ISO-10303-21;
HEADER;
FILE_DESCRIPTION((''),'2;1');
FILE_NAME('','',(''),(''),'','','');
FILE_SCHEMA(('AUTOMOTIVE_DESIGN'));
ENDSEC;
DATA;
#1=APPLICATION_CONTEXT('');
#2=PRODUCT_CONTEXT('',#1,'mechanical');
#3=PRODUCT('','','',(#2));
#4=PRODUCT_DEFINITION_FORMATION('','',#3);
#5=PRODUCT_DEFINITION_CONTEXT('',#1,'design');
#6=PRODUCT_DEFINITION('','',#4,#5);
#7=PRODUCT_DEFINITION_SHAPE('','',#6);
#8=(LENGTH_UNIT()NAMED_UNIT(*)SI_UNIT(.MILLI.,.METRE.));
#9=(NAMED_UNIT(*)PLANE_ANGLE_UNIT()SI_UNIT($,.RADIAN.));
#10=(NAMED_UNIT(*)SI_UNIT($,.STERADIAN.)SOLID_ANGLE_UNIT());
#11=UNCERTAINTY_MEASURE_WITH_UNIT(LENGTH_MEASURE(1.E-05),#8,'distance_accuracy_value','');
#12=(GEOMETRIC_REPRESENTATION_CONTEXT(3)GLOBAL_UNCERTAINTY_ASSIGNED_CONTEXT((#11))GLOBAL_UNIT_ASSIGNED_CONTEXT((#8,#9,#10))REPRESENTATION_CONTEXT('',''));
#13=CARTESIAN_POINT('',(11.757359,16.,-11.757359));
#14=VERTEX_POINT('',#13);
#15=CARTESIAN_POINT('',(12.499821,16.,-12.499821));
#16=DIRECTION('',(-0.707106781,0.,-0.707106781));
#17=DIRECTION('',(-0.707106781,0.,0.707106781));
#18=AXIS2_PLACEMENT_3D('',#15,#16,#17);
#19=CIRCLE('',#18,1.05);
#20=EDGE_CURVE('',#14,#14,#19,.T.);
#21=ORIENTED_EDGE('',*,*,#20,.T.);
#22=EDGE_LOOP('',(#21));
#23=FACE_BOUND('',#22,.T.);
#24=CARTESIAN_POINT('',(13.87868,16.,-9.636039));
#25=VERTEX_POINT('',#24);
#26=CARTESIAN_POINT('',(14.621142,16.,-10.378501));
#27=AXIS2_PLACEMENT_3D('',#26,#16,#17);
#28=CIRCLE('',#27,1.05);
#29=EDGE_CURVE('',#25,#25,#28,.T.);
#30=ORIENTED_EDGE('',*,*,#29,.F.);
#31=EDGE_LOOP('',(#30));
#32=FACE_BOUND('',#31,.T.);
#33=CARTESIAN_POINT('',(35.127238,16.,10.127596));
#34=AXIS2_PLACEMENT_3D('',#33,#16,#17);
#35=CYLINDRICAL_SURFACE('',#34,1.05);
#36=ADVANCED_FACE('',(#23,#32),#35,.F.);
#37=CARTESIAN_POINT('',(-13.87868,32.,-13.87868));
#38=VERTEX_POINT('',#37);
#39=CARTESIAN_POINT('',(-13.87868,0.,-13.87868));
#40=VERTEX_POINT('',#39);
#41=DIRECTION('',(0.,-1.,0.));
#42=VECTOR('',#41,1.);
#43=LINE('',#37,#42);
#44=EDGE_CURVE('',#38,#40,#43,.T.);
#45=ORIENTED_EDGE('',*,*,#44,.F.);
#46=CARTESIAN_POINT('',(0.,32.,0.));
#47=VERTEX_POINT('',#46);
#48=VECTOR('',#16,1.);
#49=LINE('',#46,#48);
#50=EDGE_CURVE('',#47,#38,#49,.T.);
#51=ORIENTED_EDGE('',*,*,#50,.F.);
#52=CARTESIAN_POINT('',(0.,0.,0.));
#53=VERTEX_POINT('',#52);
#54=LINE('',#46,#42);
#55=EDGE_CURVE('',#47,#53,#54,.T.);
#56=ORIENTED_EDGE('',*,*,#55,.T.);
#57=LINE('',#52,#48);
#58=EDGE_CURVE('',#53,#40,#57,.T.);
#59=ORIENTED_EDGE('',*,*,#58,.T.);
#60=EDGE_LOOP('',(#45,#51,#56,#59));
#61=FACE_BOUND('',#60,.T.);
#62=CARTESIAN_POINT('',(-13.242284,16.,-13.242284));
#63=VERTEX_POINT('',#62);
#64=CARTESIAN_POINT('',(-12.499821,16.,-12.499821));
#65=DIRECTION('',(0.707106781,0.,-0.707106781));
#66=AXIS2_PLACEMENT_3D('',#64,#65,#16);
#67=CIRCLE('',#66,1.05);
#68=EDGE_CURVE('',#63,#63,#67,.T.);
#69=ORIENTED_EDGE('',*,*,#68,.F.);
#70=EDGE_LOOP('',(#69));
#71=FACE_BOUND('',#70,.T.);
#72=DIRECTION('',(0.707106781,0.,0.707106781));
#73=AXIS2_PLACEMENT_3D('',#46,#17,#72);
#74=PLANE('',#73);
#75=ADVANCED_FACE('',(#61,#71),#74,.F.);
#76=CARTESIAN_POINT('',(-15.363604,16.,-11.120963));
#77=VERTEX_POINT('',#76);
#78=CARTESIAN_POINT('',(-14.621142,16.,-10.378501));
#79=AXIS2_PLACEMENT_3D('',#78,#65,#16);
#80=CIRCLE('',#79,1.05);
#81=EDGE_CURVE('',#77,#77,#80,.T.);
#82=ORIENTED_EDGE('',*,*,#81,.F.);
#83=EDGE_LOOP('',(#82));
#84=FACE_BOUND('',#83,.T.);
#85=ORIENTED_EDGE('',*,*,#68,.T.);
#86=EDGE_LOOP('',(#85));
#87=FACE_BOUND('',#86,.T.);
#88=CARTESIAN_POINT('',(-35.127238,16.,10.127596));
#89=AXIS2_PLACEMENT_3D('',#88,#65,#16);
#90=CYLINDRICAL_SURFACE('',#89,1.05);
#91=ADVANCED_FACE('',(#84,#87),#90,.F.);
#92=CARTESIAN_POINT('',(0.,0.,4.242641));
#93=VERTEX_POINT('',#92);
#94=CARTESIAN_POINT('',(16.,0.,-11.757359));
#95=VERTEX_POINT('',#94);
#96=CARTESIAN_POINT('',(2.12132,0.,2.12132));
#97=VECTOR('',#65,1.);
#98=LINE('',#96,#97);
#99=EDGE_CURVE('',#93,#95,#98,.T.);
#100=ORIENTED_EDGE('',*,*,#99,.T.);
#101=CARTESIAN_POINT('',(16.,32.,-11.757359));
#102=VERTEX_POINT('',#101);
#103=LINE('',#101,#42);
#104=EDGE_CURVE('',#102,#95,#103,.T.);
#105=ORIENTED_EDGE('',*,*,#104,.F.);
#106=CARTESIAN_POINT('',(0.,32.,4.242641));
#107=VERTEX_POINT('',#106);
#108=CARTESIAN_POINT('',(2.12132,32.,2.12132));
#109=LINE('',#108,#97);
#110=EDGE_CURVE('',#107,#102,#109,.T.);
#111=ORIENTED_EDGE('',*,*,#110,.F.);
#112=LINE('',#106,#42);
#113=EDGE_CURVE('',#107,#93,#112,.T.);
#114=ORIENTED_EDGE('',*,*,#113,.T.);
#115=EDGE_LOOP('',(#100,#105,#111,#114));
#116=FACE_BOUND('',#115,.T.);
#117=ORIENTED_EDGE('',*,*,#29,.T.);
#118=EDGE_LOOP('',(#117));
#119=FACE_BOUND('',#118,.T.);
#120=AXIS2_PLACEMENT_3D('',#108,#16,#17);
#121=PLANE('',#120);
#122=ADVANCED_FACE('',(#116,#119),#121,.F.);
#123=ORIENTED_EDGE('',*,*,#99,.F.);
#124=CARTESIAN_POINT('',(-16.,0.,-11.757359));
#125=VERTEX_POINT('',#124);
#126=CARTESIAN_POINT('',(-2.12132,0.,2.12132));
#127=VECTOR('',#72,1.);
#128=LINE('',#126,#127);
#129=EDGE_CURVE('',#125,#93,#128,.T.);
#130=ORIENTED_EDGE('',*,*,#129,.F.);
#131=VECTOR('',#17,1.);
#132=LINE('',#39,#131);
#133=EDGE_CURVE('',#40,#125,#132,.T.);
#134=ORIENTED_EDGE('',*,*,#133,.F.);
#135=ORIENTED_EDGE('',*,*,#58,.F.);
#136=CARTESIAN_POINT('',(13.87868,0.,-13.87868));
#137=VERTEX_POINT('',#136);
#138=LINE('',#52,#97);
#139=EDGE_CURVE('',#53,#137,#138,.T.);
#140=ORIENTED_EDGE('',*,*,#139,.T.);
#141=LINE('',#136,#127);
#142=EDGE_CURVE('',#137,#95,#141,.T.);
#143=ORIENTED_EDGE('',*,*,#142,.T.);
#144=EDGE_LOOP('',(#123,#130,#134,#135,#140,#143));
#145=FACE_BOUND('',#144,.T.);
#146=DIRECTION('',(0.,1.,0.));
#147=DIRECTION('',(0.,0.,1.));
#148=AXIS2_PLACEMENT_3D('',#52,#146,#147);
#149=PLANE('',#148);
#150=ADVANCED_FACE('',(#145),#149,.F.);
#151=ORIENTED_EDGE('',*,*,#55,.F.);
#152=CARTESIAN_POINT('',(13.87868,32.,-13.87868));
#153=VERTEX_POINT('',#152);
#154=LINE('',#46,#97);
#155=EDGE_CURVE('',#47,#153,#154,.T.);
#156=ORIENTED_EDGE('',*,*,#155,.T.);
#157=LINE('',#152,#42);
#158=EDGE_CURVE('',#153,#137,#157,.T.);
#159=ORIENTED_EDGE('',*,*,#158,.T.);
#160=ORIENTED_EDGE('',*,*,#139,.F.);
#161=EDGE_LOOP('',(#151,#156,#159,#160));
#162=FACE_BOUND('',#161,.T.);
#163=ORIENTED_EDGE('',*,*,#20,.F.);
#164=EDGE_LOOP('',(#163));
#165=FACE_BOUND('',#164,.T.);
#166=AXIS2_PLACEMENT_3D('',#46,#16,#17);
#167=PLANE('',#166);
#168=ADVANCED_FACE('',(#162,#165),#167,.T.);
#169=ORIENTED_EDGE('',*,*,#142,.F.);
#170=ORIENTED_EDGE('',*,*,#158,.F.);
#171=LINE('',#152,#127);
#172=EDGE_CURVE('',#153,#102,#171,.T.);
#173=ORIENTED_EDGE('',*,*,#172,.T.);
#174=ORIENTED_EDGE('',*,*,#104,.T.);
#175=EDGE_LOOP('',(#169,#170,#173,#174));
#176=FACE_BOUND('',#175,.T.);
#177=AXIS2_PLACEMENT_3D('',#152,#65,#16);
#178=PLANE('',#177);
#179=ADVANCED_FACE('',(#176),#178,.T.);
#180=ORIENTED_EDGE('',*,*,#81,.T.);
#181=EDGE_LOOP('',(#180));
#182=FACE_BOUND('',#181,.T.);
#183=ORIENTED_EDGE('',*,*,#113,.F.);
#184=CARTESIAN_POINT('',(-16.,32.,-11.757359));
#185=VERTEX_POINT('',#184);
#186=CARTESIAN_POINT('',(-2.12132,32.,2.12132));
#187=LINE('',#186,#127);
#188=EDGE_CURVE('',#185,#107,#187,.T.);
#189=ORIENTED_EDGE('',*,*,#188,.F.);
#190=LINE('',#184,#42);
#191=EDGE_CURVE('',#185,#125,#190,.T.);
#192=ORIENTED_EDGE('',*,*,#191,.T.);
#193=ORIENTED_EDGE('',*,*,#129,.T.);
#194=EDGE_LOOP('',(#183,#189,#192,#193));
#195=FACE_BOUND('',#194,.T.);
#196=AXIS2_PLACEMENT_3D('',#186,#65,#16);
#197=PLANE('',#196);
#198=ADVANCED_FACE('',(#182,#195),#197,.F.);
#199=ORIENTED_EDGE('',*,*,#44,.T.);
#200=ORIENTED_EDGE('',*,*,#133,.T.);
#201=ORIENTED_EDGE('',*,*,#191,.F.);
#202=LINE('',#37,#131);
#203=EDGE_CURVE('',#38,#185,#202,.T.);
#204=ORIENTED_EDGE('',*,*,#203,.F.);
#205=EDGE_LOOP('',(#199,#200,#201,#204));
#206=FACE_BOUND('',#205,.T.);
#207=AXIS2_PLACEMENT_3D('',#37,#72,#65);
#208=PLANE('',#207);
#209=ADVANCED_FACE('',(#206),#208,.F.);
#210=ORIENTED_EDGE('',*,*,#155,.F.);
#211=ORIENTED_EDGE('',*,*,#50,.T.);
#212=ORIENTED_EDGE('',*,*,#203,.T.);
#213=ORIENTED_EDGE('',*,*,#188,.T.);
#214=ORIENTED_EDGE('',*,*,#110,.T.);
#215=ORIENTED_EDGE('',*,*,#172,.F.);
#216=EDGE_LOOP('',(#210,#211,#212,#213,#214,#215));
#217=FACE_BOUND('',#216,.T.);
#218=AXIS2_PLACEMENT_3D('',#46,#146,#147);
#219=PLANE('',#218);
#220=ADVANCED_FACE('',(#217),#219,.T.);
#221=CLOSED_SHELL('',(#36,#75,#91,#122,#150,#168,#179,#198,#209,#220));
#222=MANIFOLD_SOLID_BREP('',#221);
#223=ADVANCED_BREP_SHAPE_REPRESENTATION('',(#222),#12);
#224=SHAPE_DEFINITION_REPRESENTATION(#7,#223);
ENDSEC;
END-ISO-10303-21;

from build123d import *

# Parameters (mm, degrees)
BOSS_EXTRUDE1_DEPTH = 32
SKETCH2_R           = 1.05
CUT_EXTRUDE1_DEPTH  = 32
SKETCH3_R           = 1.05
CUT_EXTRUDE2_DEPTH  = 32


with BuildPart() as part:
    # Sketch1 → Boss-Extrude1 (new body)
    with BuildSketch(Plane(origin=(0, 0, 0), x_dir=(1, 0, 0), z_dir=(0, 1, 0))):
        Polygon((-16, 11.757359313), (0, -4.242640687), (16, 11.757359313), (13.878679656, 13.878679656), (0, 0), (-13.878679656, 13.878679656), align=None)
    extrude(amount=BOSS_EXTRUDE1_DEPTH)

    # Sketch2 → Cut-Extrude1 (cut)
    with BuildSketch(Plane(origin=(0, 0, 0), x_dir=(-0.7071067811865538, 0, -0.7071067811865414), z_dir=(0.7071067811865414, 0, -0.7071067811865538))):
        with Locations((17.677416998, 16)):
            Circle(SKETCH2_R)
    extrude(amount=-CUT_EXTRUDE1_DEPTH, mode=Mode.SUBTRACT)

    # Sketch3 → Cut-Extrude2 (cut)
    with BuildSketch(Plane(origin=(0, 0, 0), x_dir=(-0.7071067811865475, 0, 0.7071067811865477), z_dir=(-0.7071067811865477, 0, -0.7071067811865475))):
        with Locations((-17.677416998, 16)):
            Circle(SKETCH3_R)
    extrude(amount=-CUT_EXTRUDE2_DEPTH, mode=Mode.SUBTRACT)


solid = part.part
